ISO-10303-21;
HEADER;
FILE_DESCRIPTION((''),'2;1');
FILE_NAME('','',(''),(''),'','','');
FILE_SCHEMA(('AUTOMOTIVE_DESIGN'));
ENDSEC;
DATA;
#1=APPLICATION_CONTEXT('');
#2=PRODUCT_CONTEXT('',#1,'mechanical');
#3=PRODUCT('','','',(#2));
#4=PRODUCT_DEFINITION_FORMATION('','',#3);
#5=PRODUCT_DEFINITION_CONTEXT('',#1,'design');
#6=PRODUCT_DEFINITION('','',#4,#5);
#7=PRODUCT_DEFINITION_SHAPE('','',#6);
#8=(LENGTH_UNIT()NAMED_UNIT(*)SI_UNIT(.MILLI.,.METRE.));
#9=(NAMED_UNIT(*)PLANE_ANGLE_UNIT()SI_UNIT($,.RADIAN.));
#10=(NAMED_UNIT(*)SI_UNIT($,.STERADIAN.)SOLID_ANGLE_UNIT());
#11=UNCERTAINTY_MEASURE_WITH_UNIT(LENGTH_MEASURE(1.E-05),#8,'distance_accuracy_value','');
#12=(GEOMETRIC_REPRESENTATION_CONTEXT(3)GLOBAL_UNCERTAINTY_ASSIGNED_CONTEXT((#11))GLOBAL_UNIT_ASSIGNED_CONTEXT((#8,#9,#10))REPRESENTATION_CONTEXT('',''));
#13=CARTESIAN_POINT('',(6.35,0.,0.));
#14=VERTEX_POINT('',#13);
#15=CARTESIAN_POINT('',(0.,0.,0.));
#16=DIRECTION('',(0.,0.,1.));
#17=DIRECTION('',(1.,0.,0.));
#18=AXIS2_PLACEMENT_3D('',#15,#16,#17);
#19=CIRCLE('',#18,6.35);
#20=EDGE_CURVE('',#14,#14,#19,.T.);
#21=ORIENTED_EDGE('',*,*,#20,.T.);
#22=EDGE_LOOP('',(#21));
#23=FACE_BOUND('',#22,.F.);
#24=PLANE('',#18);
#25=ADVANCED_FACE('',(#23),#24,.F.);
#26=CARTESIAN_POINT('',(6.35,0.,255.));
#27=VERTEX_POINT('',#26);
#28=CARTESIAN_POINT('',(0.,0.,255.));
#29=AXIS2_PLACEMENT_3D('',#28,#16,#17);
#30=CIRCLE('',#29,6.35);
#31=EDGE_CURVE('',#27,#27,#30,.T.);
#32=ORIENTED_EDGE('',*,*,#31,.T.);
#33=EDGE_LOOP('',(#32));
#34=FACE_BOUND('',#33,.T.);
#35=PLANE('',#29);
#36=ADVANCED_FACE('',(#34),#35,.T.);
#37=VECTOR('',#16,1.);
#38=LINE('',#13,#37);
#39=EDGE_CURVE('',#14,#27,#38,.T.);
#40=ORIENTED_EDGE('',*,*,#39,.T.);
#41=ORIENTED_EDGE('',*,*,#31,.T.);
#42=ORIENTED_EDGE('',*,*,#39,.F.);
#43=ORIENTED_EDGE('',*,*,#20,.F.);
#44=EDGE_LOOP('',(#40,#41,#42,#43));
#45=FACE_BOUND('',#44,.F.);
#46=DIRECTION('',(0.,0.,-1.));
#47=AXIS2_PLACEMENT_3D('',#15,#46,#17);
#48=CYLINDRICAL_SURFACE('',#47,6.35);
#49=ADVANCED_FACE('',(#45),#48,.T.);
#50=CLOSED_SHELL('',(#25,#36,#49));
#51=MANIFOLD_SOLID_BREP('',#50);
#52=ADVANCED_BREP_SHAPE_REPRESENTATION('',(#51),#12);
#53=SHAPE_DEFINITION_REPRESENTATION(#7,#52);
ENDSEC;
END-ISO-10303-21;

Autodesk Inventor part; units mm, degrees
ref_plane "YZ Plane" through (0, 0, 0) normal (1, 0, 0) x (0, 1, 0)
ref_plane "XZ Plane" through (0, 0, 0) normal (0, 1, 0) x (-1, 0, 0)
ref_plane "XY Plane" through (0, 0, 0) normal (0, 0, 1) x (1, 0, 0)
sketch "Sketch1" plane through (0, 0, 0) normal (0, 0, 1) x (1, 0, 0)
  circle A0 centre (0, 0) radius 6.35
  dimension "d0" = 12.7
extrude "Extrusion1" add sketch "Sketch1" along normal blind 255
properties part number "Axle"
